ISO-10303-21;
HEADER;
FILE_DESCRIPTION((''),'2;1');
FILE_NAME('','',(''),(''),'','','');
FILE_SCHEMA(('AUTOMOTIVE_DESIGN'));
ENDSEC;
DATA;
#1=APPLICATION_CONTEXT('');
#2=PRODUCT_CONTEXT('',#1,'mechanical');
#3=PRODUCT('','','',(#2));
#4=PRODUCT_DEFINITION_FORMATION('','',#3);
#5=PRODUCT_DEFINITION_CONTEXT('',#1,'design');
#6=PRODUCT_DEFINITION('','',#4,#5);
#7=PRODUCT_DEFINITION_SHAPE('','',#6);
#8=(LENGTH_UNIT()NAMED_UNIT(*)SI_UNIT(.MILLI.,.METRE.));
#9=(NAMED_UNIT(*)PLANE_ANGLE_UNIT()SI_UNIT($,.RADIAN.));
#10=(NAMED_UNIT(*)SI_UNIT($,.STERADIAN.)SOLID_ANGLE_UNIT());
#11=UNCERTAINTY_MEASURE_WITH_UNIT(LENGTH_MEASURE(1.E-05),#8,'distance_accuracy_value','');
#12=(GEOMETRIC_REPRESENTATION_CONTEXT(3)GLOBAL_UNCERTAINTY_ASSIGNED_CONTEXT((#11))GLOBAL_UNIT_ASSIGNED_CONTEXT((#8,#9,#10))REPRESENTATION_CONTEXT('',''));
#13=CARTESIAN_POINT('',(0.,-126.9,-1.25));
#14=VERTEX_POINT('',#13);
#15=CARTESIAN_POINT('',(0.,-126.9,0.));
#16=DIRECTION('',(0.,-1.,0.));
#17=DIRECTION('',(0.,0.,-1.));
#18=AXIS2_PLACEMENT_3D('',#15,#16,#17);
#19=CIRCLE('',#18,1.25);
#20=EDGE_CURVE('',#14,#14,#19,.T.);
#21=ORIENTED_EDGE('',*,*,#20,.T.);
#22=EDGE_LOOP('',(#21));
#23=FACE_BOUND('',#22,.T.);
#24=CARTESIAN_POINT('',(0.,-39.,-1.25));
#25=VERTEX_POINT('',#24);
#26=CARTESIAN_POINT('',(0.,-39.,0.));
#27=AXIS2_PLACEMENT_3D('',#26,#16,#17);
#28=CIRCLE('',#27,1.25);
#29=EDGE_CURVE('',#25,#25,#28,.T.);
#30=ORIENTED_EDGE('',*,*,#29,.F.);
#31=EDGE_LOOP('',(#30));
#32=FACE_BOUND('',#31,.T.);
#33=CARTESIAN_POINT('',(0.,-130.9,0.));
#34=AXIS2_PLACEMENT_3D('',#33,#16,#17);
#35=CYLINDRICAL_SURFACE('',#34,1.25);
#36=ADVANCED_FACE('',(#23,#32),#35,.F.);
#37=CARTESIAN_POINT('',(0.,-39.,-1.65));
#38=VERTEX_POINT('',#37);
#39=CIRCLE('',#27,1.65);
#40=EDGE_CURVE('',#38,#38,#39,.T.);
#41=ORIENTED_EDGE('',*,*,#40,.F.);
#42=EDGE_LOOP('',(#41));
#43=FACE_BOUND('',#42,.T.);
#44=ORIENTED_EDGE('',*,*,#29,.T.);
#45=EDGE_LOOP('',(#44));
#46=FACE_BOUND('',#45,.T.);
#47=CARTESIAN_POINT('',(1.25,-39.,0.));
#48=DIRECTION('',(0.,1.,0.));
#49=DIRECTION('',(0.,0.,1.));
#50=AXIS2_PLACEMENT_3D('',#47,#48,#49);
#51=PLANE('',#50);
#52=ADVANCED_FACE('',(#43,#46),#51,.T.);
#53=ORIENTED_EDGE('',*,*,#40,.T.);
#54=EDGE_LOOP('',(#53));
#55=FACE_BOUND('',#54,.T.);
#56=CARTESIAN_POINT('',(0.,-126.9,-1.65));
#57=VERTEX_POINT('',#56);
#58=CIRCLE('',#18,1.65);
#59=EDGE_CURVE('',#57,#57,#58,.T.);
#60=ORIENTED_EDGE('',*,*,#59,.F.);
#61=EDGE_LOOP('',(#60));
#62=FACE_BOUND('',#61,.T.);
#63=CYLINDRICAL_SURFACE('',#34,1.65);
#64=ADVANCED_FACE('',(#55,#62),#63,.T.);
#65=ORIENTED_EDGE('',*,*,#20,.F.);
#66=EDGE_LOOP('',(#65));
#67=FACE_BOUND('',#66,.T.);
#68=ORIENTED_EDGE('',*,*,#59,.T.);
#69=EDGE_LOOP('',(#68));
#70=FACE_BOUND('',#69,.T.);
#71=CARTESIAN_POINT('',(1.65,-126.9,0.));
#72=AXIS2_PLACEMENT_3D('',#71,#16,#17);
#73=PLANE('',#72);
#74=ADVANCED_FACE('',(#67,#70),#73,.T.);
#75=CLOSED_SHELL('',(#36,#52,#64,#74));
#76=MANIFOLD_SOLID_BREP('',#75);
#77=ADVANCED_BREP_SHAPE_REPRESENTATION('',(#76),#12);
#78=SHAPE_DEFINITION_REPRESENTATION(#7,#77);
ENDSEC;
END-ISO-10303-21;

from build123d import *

# Parameters (mm, degrees)
SKETCH1_W = 0.4
SKETCH1_H = 87.9


with BuildPart() as part:
    # Sketch1 → Funda_PTFE (revolve)
    with BuildSketch(Plane.XY, mode=Mode.PRIVATE) as funda_ptfe_sk:
        with Locations((1.45, -82.95)):
            Rectangle(SKETCH1_W, SKETCH1_H)
    revolve(funda_ptfe_sk.sketch.rotate(Axis((0, -130.9, 0), (0, 1, 0)), 90), axis=Axis((0, -130.9, 0), (0, 1, 0)))


solid = part.part
